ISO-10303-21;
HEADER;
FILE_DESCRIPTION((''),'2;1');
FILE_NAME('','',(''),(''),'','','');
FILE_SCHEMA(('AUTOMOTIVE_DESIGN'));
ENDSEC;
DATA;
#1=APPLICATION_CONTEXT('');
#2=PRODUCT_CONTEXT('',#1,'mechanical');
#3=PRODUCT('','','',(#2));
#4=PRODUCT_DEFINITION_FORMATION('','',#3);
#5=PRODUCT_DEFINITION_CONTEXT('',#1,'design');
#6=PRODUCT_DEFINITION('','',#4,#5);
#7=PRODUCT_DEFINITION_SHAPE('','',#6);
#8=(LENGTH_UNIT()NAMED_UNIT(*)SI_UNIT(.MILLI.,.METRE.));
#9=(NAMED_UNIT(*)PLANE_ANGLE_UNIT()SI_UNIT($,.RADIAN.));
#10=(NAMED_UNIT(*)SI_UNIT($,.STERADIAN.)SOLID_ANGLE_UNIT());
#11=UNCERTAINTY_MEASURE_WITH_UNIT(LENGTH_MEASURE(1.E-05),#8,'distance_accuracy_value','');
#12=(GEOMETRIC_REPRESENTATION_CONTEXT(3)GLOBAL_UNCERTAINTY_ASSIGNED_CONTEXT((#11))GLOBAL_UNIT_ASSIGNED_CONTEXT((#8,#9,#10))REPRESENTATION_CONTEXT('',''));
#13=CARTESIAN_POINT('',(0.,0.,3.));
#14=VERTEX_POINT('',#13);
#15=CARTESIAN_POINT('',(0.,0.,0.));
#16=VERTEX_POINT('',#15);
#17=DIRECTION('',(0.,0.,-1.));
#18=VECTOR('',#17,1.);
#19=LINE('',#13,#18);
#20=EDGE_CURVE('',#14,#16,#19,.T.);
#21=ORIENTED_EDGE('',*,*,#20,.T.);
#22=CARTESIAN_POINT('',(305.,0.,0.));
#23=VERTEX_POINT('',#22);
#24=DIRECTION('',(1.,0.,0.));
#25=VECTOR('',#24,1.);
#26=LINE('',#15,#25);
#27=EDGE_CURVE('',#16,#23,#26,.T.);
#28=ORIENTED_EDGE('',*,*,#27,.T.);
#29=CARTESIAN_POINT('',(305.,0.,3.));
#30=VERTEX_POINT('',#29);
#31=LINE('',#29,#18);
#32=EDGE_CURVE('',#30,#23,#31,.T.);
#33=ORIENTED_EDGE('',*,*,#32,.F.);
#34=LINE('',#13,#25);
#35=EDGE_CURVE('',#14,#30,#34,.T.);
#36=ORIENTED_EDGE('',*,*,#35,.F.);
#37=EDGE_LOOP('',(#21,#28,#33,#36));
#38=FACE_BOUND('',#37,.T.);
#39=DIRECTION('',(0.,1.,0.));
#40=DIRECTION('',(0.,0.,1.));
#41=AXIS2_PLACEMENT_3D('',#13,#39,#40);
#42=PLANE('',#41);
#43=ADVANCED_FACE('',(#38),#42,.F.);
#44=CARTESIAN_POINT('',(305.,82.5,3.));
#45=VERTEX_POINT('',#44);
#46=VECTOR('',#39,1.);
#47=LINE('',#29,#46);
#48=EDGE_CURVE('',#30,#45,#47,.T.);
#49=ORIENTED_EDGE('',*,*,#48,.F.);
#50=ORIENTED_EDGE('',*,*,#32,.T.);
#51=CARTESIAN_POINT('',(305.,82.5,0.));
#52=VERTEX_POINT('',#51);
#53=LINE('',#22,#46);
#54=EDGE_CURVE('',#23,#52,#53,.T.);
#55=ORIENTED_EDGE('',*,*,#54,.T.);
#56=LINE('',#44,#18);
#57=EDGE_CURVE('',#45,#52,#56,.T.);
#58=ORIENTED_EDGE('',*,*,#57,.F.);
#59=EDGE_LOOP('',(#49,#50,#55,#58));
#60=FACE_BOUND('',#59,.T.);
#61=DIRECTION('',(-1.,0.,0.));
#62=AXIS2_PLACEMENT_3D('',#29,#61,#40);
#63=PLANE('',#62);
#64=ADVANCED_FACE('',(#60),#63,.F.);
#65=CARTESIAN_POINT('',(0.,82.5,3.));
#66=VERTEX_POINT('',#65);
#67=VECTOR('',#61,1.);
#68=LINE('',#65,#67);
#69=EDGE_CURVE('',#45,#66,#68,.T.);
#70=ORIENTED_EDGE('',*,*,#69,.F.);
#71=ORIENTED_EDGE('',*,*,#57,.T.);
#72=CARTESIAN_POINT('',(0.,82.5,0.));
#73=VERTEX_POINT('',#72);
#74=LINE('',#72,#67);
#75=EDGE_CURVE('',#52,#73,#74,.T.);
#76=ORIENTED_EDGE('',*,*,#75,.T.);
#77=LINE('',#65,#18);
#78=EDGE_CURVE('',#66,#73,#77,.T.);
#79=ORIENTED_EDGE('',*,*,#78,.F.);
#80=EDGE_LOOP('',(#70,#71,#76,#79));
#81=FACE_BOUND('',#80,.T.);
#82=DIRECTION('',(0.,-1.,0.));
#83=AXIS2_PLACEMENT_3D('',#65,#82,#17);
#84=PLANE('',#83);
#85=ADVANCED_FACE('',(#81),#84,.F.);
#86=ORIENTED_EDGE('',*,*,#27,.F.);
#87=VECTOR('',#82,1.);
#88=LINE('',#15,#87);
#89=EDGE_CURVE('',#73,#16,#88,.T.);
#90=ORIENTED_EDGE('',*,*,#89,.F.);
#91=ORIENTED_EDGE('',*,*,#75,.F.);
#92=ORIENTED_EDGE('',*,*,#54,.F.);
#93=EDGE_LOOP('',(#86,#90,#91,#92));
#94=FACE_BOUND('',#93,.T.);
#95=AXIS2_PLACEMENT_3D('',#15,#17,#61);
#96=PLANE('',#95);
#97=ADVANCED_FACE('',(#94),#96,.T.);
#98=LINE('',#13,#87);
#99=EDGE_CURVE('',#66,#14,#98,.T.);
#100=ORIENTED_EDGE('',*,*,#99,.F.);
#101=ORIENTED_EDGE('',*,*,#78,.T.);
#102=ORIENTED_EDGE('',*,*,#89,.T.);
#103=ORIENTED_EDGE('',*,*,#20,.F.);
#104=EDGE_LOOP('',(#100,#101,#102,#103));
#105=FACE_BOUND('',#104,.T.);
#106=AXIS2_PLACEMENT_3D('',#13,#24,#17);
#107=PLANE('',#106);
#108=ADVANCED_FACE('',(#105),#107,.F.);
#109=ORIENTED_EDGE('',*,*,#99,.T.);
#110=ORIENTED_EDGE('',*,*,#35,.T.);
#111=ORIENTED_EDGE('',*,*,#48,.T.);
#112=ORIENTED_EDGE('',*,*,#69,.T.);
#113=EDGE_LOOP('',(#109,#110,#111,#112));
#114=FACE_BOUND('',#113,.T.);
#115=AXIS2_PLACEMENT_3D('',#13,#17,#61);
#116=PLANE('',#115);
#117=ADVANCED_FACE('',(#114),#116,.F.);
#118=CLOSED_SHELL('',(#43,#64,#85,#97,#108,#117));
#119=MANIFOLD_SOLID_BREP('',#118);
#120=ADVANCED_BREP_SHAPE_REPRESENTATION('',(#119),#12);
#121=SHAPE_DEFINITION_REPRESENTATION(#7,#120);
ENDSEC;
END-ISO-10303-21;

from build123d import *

# Parameters (mm, degrees)
CROQUIS1_W              = 305
CROQUIS1_H              = 82.5
SALIENTE_EXTRUIR1_DEPTH = 3


with BuildPart() as part:
    # Croquis1 → Saliente-Extruir1 (new body)
    with BuildSketch(Plane.XY):
        with Locations((152.5, 41.25)):
            Rectangle(CROQUIS1_W, CROQUIS1_H)
    extrude(amount=SALIENTE_EXTRUIR1_DEPTH)


solid = part.part
